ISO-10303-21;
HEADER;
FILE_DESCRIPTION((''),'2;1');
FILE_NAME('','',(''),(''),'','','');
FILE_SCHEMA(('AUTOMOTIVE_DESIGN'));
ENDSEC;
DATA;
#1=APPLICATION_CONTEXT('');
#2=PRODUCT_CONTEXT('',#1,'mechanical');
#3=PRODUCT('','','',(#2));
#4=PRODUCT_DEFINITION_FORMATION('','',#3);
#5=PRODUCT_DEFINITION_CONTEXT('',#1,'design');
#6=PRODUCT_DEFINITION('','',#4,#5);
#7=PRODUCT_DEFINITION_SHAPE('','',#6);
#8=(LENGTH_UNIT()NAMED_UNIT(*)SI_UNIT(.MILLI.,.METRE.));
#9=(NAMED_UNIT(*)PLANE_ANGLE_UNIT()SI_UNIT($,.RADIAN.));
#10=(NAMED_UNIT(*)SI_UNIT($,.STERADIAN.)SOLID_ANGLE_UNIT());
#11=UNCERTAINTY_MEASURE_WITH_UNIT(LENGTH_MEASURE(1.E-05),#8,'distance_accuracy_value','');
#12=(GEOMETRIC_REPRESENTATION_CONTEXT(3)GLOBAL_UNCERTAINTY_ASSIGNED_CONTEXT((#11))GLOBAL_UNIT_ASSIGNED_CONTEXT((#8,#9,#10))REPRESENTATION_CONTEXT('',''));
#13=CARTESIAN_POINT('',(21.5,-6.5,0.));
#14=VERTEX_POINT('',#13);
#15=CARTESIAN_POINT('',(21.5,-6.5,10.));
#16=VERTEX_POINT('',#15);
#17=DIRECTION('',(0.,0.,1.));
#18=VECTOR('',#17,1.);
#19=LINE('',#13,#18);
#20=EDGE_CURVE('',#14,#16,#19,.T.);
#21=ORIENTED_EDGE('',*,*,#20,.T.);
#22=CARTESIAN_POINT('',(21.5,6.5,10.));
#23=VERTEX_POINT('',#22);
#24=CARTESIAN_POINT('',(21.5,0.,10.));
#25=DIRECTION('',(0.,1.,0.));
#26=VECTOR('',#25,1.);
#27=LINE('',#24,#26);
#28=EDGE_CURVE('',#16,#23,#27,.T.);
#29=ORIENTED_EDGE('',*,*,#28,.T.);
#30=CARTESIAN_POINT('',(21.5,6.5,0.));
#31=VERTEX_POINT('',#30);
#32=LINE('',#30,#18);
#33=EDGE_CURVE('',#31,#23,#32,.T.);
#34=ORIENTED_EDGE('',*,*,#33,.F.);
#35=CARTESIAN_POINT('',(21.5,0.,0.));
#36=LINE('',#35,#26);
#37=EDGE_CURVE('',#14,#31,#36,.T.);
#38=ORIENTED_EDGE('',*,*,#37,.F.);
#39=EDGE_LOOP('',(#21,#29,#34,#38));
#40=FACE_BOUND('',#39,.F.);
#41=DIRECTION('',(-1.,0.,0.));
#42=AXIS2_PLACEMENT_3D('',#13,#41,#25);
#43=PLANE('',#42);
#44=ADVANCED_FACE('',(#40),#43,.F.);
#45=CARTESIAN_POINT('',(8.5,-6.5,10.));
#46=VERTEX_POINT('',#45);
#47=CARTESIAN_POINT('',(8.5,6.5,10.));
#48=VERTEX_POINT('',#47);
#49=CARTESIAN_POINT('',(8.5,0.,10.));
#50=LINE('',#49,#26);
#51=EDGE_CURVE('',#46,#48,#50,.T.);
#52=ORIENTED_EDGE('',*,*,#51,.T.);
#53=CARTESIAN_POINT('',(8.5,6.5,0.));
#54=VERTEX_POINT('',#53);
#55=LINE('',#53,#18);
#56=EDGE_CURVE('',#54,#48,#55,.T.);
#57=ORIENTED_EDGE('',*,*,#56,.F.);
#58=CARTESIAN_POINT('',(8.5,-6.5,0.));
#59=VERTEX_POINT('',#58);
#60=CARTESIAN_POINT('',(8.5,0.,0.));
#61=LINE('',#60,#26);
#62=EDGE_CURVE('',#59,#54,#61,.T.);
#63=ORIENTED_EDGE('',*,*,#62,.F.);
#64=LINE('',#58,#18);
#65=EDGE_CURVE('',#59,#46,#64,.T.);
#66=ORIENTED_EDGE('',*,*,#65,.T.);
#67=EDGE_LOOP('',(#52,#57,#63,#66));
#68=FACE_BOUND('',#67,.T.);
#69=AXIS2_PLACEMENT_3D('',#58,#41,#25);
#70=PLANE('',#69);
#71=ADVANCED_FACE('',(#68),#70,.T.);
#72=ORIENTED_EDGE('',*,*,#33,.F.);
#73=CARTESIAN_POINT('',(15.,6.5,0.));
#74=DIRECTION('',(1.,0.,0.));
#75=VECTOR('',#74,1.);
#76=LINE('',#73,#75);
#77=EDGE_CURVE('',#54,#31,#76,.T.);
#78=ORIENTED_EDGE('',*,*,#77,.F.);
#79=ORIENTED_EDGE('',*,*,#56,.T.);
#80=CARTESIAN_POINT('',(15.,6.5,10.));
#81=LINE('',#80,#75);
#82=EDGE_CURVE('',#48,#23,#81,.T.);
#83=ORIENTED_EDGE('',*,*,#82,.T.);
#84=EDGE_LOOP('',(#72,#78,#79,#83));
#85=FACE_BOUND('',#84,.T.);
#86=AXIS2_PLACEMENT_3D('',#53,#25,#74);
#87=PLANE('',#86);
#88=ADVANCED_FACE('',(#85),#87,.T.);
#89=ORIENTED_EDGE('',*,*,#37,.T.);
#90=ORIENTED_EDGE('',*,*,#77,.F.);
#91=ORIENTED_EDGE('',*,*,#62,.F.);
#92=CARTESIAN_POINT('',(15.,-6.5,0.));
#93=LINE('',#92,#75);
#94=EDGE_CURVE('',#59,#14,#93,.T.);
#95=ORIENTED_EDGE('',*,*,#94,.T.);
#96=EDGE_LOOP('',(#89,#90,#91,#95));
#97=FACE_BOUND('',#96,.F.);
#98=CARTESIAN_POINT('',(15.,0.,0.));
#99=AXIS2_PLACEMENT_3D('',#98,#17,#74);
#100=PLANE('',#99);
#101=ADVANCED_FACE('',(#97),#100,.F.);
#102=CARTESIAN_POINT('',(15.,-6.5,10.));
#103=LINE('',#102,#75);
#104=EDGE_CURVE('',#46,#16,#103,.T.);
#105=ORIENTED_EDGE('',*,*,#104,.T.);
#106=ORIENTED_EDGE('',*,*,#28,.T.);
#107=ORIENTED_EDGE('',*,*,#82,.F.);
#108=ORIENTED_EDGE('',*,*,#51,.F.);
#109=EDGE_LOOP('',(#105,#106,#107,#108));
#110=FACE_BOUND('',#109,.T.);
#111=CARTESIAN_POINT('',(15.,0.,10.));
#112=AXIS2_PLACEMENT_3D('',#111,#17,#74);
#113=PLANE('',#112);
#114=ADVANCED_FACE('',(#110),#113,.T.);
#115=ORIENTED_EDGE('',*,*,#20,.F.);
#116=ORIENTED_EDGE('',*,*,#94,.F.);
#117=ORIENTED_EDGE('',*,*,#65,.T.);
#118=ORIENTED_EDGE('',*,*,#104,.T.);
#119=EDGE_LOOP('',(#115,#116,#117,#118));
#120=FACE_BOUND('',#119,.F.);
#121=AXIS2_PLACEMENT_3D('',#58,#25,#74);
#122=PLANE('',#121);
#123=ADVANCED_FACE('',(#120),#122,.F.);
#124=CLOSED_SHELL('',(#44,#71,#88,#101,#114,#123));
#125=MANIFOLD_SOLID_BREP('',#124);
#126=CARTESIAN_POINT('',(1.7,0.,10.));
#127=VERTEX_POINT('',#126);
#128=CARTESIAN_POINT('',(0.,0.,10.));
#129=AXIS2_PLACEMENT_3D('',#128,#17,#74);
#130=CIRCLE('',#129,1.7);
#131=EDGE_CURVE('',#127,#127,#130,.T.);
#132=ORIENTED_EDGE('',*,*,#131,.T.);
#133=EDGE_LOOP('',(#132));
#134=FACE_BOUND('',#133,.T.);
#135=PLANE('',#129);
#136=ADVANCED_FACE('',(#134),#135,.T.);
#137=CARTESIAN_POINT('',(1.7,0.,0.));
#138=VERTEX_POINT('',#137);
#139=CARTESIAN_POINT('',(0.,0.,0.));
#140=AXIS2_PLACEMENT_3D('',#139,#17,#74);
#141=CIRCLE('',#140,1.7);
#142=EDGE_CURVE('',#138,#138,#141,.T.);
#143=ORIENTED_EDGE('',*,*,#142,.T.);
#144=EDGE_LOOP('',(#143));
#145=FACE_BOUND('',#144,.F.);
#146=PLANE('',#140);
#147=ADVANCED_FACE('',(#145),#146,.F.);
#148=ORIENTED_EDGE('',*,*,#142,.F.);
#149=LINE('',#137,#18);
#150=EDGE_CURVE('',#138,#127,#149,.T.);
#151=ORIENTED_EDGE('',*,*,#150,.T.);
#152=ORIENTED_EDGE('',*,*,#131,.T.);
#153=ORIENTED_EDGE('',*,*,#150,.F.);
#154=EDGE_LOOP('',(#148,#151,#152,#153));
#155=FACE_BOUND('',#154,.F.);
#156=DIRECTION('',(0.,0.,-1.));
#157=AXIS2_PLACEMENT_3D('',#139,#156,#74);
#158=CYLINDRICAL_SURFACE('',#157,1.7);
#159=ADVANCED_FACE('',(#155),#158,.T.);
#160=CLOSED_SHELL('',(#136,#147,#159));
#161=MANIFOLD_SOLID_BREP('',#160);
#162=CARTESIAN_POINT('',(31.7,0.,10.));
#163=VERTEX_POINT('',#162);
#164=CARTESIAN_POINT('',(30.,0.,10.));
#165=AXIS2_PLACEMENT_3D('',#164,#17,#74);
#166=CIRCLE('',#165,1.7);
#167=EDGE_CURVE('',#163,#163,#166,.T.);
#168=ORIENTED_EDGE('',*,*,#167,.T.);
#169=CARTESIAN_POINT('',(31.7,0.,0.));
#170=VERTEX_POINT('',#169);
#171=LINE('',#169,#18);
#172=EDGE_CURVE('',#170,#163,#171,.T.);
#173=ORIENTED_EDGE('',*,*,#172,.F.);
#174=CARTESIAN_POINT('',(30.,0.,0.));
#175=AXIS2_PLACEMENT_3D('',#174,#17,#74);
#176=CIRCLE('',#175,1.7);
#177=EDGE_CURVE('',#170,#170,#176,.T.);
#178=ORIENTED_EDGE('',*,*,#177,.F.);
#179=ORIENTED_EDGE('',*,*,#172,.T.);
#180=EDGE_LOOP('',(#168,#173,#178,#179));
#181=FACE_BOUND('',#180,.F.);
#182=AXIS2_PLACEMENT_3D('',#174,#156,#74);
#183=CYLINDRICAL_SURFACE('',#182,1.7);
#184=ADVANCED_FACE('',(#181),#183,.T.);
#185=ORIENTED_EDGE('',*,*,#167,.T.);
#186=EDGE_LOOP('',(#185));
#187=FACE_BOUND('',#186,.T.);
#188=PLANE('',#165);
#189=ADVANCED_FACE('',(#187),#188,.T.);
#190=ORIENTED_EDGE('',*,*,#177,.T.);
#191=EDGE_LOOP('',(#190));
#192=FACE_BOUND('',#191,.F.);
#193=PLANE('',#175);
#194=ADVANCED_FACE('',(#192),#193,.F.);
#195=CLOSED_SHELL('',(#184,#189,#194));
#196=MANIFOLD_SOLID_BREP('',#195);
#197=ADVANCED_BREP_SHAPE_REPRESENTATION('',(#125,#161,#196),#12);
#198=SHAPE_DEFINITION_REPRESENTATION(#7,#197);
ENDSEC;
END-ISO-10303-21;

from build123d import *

# Parameters (mm, degrees)
CYLINDER007_R     = 1.7
CYLINDER007_DEPTH = 10
BOX009_W          = 13
BOX009_H          = 13
BOX009_DEPTH      = 10
CYLINDER008_R     = 1.7
CYLINDER008_DEPTH = 10


with BuildPart() as cylinder007:
    # Cylinder007 → Cylinder007 (new body)
    with BuildSketch(Plane.XY):
        Circle(CYLINDER007_R)
    extrude(amount=CYLINDER007_DEPTH)


with BuildPart() as box009:
    # Box009 → Box009 (new body)
    with BuildSketch(Plane(origin=(8.5, -6.5, 0), x_dir=(1, 0, 0), z_dir=(0, 0, 1))):
        with Locations((6.5, 6.5)):
            Rectangle(BOX009_W, BOX009_H)
    extrude(amount=BOX009_DEPTH)


with BuildPart() as usb_type_b:
    # Cylinder008 → Cylinder008 (new body)
    with BuildSketch(Plane(origin=(30, 0, 0), x_dir=(1, 0, 0), z_dir=(0, 0, 1))):
        Circle(CYLINDER008_R)
    extrude(amount=CYLINDER008_DEPTH)

    # Fusion019002003: union Cylinder007, Box009
    add(cylinder007.part)
    add(box009.part)


solid = usb_type_b.part
